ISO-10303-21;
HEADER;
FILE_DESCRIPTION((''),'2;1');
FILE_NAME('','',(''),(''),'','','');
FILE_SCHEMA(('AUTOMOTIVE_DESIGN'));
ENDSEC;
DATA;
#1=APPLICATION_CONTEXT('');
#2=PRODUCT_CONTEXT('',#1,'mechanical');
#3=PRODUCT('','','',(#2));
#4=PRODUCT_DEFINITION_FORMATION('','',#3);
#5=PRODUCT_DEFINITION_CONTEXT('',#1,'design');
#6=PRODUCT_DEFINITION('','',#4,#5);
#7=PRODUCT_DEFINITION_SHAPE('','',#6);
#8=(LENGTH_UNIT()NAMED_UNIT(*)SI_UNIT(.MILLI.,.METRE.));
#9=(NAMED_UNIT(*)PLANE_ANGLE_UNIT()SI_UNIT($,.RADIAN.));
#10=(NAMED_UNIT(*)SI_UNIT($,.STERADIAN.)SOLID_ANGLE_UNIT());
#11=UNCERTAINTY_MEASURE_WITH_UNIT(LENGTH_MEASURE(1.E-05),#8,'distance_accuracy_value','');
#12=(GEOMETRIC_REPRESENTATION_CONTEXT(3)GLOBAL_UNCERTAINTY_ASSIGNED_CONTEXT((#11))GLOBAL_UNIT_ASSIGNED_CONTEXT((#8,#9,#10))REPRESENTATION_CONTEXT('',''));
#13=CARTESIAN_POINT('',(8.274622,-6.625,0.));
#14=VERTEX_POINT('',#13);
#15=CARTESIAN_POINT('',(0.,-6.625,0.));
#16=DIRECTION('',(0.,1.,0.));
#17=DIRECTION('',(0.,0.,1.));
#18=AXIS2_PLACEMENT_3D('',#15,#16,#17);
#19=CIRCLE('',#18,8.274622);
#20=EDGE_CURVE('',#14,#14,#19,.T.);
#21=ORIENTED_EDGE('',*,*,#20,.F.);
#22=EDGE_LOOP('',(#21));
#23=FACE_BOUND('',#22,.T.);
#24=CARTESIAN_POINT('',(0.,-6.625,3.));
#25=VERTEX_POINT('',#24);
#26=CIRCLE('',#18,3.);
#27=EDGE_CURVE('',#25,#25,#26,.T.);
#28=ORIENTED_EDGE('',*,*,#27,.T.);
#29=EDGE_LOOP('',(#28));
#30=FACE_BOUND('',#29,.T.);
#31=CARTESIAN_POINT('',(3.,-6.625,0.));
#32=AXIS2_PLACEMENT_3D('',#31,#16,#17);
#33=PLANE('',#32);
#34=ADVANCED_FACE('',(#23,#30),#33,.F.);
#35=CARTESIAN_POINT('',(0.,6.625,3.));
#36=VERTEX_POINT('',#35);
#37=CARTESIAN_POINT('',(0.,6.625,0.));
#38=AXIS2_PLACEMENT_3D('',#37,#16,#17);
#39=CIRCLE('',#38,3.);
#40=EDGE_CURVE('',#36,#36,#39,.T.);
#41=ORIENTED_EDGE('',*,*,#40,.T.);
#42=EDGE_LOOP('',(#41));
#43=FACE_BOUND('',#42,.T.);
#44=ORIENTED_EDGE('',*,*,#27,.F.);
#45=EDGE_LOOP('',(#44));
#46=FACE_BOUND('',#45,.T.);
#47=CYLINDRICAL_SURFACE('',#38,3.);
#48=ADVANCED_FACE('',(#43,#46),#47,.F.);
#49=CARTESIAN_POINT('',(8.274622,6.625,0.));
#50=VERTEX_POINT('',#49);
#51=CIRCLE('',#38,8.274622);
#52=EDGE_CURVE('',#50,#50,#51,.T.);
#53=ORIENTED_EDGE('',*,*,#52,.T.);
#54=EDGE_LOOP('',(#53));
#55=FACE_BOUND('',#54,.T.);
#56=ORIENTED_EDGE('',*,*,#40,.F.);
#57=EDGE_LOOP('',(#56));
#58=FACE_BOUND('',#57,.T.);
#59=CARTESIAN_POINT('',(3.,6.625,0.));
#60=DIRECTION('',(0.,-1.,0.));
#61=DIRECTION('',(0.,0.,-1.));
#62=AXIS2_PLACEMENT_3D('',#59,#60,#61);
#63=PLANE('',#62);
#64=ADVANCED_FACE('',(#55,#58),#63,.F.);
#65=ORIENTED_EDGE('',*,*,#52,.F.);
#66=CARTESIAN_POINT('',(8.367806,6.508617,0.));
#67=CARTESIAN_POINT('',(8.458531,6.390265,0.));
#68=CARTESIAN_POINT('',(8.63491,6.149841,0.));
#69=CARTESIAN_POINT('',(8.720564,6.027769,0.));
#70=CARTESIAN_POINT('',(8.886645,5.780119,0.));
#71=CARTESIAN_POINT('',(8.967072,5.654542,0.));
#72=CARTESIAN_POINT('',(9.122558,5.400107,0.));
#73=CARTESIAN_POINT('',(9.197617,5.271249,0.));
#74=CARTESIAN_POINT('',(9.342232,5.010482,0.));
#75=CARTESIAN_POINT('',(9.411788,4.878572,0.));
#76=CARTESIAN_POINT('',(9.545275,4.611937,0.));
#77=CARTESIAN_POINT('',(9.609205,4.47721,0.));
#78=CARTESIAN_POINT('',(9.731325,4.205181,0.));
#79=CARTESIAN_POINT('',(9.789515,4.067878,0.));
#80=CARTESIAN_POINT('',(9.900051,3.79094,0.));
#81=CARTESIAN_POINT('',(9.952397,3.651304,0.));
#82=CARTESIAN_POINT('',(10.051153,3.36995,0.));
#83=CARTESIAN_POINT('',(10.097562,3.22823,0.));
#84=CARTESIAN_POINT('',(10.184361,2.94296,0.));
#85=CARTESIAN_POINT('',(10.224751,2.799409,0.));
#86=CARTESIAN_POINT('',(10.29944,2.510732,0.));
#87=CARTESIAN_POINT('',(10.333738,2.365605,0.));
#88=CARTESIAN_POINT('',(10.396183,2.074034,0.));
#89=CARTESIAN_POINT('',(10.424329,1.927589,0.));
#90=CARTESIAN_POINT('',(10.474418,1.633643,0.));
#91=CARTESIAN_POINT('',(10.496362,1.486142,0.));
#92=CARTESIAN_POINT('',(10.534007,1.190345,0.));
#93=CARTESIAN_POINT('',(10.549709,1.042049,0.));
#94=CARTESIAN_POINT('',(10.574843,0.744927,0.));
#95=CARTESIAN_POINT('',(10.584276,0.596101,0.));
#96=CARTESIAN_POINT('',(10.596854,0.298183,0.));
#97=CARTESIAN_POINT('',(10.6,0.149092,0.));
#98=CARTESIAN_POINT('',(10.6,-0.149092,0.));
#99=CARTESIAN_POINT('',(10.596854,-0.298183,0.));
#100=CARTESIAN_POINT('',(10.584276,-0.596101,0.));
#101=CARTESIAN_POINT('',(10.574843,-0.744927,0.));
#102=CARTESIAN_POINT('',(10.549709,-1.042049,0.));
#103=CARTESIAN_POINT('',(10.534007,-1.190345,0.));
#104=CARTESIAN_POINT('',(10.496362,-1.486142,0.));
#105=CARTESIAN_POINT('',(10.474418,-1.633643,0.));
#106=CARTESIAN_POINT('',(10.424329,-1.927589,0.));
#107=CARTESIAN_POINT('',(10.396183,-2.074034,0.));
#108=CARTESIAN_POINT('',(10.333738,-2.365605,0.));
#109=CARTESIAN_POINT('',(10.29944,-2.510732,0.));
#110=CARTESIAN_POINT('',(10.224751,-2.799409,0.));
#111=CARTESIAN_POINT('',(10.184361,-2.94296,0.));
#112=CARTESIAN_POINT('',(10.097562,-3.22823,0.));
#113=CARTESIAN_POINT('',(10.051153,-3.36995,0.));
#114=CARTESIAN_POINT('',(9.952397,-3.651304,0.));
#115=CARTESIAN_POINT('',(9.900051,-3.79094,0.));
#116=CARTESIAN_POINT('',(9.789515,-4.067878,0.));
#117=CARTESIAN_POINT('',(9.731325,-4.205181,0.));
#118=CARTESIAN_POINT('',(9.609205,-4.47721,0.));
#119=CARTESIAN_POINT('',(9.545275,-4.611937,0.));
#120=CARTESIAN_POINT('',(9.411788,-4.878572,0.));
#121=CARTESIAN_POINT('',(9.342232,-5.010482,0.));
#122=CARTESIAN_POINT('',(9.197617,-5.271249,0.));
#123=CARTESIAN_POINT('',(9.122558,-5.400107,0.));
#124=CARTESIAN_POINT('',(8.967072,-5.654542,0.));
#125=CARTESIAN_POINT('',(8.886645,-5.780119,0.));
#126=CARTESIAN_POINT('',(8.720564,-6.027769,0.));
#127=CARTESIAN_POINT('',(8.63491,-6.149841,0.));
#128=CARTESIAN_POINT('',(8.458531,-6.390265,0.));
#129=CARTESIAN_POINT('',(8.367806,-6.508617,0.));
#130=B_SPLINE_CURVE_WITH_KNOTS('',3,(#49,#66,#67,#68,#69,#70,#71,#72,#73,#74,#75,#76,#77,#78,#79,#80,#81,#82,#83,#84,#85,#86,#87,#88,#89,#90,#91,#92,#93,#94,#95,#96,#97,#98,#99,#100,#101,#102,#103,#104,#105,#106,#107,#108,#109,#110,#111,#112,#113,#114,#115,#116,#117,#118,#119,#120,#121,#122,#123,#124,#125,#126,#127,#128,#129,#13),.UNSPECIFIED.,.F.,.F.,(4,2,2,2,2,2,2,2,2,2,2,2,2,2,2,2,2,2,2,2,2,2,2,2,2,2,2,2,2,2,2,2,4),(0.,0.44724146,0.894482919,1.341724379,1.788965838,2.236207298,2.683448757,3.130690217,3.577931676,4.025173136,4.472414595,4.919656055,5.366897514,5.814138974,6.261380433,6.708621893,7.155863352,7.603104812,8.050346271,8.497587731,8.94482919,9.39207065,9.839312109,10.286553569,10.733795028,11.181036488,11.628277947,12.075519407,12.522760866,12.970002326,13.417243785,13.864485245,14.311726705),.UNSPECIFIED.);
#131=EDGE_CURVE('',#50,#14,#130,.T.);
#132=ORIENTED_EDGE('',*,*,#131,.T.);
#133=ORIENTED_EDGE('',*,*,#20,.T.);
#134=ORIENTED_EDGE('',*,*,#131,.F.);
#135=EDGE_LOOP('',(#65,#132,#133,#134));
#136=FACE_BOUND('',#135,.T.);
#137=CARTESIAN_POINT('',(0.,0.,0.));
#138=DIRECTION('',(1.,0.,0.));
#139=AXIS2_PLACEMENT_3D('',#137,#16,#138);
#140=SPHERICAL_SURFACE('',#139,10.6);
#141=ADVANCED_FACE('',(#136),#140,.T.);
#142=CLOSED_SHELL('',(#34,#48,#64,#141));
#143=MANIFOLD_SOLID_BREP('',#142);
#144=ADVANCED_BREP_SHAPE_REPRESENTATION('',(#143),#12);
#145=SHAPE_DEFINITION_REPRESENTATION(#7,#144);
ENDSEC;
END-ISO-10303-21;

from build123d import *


with BuildPart() as part:
    # Sketch1 → Revolve2 (revolve)
    with BuildSketch(Plane.XY):
        with BuildLine():
            Line((3, 6.625), (8.274622348, 6.625))
            ThreePointArc((8.274622348, 6.625), (10.6, 0), (8.274622348, -6.625))
            Line((8.274622348, -6.625), (3, -6.625))
            Line((3, -6.625), (3, 6.625))
        make_face()
    revolve(axis=Axis((0, 6.625, 0), (0, -1, 0)))


solid = part.part
